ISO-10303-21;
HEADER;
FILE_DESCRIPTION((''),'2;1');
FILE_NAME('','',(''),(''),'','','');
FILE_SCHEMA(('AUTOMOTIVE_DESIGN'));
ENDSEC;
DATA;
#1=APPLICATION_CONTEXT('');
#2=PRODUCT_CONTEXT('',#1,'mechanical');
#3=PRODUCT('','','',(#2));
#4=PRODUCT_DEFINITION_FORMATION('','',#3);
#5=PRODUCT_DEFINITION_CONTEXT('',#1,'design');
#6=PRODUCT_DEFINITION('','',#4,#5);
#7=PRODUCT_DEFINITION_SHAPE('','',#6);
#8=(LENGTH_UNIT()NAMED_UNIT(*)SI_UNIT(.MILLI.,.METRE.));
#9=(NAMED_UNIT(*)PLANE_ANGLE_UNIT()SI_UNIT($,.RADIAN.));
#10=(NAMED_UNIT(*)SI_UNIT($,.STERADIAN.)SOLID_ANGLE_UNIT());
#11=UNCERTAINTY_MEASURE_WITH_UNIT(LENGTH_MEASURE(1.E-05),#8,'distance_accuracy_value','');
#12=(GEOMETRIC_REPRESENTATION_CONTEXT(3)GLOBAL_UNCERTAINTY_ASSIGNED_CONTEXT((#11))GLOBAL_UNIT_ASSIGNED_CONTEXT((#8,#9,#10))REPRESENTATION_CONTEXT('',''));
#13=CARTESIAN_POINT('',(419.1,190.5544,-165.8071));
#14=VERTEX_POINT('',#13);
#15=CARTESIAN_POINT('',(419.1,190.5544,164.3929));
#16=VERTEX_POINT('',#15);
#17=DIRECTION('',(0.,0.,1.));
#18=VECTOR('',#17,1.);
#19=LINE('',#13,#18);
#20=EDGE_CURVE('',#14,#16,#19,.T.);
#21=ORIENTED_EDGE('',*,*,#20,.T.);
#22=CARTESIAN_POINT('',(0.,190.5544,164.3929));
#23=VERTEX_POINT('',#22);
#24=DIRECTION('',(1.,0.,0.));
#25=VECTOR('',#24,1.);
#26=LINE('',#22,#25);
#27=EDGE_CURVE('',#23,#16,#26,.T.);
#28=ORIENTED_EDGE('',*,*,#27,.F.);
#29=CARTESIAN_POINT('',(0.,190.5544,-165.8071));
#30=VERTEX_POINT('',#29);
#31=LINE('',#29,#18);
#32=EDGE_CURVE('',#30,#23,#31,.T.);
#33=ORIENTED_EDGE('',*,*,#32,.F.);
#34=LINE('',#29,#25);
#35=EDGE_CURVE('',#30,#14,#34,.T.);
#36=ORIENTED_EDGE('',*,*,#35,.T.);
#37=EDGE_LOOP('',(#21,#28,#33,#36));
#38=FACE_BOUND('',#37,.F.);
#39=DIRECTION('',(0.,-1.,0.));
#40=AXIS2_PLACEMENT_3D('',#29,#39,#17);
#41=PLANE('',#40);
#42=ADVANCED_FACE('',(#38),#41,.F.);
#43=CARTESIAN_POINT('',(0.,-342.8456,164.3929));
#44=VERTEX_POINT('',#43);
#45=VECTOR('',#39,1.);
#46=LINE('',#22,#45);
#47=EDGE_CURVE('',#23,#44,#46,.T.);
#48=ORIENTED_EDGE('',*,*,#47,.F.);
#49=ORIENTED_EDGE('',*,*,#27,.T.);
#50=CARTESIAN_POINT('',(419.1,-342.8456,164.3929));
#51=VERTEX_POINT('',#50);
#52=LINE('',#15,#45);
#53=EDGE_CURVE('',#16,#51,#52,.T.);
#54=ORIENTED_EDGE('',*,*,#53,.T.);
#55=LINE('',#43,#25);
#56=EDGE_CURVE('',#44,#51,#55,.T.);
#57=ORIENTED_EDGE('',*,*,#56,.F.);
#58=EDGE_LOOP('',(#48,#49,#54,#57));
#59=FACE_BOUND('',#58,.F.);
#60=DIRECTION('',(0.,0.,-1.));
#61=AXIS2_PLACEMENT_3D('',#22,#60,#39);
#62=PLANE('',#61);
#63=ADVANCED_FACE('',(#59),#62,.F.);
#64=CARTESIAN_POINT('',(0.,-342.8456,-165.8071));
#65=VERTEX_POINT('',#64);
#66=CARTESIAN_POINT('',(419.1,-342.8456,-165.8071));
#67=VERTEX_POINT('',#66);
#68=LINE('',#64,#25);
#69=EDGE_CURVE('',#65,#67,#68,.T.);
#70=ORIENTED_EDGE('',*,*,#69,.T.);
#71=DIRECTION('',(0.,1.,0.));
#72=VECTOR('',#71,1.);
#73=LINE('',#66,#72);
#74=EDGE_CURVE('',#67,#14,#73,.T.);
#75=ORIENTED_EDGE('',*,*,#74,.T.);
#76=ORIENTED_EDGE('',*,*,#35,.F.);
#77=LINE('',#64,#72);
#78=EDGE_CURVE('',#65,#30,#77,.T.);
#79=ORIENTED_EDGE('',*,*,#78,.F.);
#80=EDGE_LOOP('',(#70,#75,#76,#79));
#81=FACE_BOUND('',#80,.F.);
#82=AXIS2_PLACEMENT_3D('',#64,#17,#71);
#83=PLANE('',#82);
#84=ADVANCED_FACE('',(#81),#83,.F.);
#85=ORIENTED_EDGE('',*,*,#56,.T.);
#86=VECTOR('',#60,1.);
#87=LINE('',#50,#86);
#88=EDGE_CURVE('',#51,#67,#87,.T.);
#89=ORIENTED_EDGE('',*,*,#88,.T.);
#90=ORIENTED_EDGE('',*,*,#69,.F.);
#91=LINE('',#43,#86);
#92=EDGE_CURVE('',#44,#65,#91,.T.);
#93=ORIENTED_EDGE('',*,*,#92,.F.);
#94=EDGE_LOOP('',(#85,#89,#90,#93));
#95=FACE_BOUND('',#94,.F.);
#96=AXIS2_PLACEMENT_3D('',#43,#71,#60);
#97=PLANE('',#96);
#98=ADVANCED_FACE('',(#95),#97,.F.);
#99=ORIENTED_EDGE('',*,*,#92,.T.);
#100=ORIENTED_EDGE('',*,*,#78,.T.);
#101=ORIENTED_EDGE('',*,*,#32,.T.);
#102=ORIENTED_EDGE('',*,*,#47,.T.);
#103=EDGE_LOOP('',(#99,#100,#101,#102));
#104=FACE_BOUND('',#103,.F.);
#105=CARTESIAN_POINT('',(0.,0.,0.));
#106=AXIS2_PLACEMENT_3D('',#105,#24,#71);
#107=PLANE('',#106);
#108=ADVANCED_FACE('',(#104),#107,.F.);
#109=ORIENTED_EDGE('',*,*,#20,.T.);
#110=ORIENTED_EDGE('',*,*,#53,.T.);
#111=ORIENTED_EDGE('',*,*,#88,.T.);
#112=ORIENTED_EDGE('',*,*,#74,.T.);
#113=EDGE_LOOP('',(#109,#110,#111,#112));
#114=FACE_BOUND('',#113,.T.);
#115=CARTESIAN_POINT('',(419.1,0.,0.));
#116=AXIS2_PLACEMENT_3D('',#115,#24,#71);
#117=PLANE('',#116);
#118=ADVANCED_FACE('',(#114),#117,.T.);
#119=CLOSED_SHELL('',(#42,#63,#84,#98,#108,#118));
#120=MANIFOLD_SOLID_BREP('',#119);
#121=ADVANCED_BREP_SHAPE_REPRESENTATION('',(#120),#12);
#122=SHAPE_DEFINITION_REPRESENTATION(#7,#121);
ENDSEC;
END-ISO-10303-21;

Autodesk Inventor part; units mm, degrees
ref_plane "YZ Plane" through (0, 0, 0) normal (1, 0, 0) x (0, 1, 0)
ref_plane "XZ Plane" through (0, 0, 0) normal (0, 1, 0) x (-1, 0, 0)
ref_plane "XY Plane" through (0, 0, 0) normal (0, 0, 1) x (1, 0, 0)
sketch "Sketch1" plane through (0, 0, 0) normal (1, 0, 0) x (0, 1, 0)
  line L0 (190.5544, 164.3929) -> (-342.8456, 164.3929)
  line L1 (-342.8456, 164.3929) -> (-342.8456, -165.8071)
  line L2 (-342.8456, -165.8071) -> (190.5544, -165.8071)
  line L3 (190.5544, -165.8071) -> (190.5544, 164.3929)
  point P0 (0, 0)
  dimension "d0" = 330.2
  dimension "d1" = 533.4
extrude "Extrusion1" add sketch "Sketch1" along normal blind 419.1
properties part number "BlockShooter"
